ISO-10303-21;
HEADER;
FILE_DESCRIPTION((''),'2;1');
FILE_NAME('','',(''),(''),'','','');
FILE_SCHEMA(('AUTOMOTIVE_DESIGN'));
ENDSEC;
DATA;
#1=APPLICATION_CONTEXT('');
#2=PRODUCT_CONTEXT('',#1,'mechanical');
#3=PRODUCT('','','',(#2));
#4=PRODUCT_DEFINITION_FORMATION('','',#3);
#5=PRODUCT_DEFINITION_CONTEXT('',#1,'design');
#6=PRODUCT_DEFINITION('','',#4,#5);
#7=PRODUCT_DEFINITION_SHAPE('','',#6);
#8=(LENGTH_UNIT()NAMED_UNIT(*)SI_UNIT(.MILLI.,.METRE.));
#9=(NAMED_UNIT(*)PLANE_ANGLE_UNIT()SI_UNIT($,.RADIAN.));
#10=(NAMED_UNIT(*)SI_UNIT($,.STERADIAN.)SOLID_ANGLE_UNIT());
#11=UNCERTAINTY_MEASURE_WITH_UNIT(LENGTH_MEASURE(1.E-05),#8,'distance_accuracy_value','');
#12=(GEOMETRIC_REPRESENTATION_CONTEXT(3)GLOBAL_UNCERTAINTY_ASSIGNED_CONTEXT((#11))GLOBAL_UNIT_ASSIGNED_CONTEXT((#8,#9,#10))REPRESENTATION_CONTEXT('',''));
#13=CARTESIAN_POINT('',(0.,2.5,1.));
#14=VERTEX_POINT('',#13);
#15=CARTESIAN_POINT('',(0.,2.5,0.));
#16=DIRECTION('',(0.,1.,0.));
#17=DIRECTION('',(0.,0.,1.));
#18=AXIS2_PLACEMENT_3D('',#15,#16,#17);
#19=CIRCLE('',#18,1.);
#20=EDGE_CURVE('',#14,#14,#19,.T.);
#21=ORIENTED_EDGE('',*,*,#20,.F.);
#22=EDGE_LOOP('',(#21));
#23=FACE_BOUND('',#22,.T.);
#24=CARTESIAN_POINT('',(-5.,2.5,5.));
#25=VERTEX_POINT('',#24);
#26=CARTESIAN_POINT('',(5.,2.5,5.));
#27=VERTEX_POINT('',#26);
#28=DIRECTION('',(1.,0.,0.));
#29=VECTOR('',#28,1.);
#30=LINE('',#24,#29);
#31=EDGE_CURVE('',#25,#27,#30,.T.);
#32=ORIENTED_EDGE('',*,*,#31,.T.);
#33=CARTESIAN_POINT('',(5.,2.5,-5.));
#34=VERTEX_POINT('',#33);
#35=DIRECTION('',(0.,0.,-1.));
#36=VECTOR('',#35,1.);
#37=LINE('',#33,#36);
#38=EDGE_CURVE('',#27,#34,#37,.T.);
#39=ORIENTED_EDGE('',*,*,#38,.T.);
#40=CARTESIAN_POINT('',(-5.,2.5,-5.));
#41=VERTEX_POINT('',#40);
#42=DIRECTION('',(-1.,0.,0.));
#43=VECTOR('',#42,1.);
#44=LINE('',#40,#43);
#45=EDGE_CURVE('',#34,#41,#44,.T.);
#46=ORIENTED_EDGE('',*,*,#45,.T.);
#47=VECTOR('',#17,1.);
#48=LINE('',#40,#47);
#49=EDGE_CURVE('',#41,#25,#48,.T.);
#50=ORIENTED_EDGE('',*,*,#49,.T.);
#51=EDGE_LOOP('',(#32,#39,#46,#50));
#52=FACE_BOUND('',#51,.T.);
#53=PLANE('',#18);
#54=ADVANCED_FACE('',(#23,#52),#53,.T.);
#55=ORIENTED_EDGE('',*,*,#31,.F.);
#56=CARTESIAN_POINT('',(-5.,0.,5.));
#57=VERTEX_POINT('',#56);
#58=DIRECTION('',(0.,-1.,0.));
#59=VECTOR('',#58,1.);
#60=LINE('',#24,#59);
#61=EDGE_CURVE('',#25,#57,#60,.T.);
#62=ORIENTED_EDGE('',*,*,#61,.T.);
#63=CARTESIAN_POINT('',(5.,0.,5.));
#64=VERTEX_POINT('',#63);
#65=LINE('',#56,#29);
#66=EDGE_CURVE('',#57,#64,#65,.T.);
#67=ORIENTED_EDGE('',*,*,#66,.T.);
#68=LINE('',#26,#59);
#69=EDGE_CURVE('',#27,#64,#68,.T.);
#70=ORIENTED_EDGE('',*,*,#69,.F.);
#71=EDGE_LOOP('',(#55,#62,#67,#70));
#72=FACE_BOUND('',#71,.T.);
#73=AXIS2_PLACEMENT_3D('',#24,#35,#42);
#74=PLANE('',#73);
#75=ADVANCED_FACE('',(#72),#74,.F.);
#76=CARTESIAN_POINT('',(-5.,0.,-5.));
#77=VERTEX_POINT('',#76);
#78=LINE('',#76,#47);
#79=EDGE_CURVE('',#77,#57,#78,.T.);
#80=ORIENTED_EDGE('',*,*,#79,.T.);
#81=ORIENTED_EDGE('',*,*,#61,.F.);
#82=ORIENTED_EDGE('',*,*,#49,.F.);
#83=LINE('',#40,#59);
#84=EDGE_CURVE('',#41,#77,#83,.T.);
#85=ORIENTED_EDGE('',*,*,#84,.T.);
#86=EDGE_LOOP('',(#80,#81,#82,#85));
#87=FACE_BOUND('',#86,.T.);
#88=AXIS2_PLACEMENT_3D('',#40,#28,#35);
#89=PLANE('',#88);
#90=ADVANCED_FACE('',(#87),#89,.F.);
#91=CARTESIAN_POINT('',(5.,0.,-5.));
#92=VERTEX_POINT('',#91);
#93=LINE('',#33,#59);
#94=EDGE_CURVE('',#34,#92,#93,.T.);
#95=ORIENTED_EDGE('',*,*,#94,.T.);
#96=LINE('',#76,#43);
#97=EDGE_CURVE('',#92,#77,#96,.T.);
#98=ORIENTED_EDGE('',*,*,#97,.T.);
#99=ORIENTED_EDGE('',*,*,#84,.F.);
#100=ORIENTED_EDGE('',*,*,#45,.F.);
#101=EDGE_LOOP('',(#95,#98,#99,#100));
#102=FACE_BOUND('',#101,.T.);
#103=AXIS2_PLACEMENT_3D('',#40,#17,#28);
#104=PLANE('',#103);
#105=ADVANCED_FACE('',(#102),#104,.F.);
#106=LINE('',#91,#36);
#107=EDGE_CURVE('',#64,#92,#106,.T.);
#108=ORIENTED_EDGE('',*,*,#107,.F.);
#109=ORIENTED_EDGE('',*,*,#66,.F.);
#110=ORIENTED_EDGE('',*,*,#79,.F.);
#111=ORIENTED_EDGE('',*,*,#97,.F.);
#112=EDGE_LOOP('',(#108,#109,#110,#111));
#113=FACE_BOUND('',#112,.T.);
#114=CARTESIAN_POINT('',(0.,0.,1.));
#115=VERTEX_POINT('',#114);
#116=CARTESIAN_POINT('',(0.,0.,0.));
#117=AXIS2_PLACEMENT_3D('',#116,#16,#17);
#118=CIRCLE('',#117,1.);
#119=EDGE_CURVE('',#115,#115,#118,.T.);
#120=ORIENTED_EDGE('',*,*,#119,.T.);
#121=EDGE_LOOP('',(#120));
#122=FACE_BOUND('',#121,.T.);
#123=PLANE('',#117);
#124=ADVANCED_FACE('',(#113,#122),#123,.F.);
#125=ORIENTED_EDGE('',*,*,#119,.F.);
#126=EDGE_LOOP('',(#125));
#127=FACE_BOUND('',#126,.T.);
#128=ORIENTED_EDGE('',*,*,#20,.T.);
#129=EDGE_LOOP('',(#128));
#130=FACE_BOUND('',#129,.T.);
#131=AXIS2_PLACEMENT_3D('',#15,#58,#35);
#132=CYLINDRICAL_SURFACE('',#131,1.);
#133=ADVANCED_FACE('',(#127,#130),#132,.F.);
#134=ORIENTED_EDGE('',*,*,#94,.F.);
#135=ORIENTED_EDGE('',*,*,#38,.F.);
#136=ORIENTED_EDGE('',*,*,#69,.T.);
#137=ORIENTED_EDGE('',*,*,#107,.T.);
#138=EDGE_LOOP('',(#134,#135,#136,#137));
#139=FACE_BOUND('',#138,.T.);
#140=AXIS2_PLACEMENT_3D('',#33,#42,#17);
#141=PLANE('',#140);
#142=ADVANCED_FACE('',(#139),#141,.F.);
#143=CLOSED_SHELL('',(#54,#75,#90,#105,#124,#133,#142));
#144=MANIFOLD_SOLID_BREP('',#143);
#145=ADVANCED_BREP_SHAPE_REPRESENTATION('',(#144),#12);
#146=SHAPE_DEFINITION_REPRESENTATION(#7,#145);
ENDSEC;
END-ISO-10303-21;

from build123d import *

# Parameters (mm, degrees)
SKETCH1_W           = 10
SKETCH1_H           = 10
SKETCH1_R           = 1
BOSS_EXTRUDE1_DEPTH = 2.5


with BuildPart() as part:
    # Sketch1 → Boss-Extrude1 (new body)
    with BuildSketch(Plane(origin=(0, 0, 0), x_dir=(1, 0, 0), z_dir=(0, 1, 0))):
        Rectangle(SKETCH1_W, SKETCH1_H)
        with Locations(Location((0, 0, 0), (0, 0, 270))):
            Circle(SKETCH1_R, mode=Mode.SUBTRACT)
    extrude(amount=BOSS_EXTRUDE1_DEPTH)


solid = part.part
